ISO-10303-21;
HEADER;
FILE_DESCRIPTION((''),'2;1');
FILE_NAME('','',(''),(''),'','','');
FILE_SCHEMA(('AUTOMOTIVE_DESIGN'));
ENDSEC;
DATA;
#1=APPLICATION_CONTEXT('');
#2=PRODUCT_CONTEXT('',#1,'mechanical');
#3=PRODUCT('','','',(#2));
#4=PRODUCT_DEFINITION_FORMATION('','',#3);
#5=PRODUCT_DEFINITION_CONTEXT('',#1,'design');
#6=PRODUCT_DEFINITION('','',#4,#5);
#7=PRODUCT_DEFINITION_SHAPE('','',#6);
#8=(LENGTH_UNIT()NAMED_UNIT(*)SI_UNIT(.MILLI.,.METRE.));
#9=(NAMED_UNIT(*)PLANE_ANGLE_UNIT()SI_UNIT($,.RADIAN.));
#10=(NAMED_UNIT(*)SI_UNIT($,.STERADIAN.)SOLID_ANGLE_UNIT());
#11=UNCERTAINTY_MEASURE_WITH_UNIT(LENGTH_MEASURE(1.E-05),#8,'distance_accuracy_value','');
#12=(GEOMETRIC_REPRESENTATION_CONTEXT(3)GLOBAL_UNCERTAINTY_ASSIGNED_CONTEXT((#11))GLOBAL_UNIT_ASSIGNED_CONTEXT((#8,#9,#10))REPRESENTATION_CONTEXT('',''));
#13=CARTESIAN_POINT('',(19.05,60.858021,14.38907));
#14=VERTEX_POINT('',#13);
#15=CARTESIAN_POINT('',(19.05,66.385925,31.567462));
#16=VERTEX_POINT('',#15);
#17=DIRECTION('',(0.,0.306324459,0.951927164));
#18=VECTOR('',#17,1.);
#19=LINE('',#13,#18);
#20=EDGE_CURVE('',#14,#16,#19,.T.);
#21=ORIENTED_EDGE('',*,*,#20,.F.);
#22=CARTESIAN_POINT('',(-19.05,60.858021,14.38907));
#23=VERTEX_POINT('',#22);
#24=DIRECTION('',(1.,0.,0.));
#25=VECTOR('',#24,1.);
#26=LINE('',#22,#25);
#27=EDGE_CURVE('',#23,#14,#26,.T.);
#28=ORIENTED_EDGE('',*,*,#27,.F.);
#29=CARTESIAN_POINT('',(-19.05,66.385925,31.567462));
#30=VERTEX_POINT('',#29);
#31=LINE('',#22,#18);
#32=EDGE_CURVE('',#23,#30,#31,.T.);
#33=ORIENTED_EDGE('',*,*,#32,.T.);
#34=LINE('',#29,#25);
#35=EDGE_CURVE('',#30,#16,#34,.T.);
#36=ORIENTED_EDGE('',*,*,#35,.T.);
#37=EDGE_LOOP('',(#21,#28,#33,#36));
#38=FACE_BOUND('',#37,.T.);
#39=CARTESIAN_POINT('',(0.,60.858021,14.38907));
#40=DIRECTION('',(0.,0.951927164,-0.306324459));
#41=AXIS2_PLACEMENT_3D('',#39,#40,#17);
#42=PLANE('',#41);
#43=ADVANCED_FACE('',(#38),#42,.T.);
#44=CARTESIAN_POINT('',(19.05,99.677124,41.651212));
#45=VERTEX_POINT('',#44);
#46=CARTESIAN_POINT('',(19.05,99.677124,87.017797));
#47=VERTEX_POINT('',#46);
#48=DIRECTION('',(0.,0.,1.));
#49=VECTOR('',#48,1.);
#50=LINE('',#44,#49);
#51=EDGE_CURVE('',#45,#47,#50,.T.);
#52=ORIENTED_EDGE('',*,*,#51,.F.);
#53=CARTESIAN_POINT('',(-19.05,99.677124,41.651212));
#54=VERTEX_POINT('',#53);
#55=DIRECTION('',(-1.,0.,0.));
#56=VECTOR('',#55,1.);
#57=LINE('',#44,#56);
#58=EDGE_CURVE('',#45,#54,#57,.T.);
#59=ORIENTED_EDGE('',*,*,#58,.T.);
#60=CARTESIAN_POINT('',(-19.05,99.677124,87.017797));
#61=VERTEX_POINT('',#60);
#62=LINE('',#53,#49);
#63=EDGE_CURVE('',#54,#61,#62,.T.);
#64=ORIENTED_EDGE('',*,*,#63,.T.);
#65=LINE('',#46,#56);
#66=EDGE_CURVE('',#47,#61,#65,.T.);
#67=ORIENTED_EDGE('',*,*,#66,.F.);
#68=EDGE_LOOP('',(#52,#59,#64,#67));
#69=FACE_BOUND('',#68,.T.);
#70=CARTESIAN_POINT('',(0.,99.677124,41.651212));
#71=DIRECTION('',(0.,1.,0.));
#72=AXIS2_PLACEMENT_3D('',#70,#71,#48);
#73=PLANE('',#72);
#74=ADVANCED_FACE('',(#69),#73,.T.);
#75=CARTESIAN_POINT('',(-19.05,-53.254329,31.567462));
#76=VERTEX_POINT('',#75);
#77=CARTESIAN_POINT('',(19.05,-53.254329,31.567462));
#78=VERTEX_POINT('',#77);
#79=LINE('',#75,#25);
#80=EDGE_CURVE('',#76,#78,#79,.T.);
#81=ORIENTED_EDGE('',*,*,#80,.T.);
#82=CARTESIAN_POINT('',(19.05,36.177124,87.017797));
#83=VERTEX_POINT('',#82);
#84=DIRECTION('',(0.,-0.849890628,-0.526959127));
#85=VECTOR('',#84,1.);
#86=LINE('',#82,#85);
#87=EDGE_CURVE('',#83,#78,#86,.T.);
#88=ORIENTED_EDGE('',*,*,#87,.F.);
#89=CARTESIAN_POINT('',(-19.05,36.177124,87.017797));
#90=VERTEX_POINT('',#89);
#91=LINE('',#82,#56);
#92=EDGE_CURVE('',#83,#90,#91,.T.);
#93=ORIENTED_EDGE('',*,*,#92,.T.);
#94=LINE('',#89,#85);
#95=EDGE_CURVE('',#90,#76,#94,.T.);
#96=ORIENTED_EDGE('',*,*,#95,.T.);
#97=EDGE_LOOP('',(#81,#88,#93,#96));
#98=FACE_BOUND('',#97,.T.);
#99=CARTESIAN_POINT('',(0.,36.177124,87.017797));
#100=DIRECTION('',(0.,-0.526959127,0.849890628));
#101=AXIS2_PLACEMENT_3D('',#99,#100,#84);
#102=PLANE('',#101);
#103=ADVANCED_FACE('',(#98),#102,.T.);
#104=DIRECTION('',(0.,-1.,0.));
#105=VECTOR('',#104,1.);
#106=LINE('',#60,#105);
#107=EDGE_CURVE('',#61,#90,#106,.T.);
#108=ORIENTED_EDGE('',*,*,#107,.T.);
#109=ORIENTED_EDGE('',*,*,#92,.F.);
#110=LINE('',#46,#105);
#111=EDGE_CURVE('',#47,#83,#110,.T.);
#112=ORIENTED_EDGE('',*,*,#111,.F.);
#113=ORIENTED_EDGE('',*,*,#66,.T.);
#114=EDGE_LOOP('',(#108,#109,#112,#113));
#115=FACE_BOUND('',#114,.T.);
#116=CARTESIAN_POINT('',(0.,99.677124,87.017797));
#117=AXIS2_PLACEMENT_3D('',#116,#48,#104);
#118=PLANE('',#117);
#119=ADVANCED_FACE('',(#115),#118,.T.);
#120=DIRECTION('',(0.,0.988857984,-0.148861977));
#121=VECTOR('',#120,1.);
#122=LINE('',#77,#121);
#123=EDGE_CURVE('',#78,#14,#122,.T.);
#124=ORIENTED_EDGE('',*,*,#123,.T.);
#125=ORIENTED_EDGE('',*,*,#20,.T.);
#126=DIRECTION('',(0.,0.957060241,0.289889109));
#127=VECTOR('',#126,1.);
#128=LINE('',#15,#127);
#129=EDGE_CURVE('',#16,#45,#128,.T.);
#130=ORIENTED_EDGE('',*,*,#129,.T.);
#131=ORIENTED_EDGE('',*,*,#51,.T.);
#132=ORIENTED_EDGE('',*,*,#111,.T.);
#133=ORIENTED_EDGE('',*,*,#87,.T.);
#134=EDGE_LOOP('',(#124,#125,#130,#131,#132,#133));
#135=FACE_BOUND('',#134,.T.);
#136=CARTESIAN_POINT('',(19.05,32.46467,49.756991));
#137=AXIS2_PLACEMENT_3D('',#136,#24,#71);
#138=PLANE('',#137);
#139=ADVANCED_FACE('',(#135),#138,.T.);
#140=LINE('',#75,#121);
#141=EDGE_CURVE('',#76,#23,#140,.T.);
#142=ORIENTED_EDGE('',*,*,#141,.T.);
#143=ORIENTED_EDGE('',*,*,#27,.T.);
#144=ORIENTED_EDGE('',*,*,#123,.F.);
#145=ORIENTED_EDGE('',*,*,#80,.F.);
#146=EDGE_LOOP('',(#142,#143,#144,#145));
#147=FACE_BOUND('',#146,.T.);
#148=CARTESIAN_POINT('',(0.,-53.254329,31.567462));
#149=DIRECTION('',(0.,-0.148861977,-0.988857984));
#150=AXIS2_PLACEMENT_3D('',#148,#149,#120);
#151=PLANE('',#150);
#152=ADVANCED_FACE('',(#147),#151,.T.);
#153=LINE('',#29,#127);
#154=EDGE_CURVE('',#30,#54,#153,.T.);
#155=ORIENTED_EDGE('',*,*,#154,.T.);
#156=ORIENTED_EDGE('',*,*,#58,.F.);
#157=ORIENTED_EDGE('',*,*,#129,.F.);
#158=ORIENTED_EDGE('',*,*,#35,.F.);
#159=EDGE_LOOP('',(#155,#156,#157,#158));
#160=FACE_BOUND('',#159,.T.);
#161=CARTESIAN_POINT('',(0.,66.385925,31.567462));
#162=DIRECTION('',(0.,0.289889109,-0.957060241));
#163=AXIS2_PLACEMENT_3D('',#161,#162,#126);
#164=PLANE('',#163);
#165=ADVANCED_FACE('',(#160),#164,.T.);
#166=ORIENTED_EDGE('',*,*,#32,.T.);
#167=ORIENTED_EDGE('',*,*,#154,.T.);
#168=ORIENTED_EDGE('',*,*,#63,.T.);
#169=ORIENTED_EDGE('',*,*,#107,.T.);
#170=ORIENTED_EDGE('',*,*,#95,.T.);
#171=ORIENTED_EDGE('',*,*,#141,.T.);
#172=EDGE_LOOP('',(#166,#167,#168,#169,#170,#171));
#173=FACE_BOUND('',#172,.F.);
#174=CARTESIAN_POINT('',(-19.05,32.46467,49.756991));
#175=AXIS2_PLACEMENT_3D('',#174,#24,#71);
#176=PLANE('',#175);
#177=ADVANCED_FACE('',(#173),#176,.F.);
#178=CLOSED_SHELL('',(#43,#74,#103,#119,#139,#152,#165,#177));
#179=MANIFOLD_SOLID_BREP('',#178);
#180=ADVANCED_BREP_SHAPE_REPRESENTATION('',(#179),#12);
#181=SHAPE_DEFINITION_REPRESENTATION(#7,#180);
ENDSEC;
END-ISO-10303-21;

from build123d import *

# Parameters (mm, degrees)
F1_DEPTH = 19.05
F2_DEPTH = 19.05


with BuildPart() as f1:
    # F0 (on Right) → F1 (new body, symmetric)
    with BuildSketch(Plane.YZ):
        Polygon((36.1771242563, 87.0177971406), (-53.2543286681, 31.5674617887), (60.8580209397, 14.3890699157), (66.3859245414, 31.5674617887), (99.6771242563, 41.6512117924), (99.6771242563, 87.0177971406), align=None)
    extrude(amount=F1_DEPTH, both=True)

    # F0 (on Right) → F2 (join, symmetric)
    with BuildSketch(Plane.YZ):
        Polygon((36.1771242563, 87.0177971406), (-53.2543286681, 31.5674617887), (60.8580209397, 14.3890699157), (66.3859245414, 31.5674617887), (99.6771242563, 41.6512117924), (99.6771242563, 87.0177971406), align=None)
    extrude(amount=F2_DEPTH, both=True)


solid = f1.part
